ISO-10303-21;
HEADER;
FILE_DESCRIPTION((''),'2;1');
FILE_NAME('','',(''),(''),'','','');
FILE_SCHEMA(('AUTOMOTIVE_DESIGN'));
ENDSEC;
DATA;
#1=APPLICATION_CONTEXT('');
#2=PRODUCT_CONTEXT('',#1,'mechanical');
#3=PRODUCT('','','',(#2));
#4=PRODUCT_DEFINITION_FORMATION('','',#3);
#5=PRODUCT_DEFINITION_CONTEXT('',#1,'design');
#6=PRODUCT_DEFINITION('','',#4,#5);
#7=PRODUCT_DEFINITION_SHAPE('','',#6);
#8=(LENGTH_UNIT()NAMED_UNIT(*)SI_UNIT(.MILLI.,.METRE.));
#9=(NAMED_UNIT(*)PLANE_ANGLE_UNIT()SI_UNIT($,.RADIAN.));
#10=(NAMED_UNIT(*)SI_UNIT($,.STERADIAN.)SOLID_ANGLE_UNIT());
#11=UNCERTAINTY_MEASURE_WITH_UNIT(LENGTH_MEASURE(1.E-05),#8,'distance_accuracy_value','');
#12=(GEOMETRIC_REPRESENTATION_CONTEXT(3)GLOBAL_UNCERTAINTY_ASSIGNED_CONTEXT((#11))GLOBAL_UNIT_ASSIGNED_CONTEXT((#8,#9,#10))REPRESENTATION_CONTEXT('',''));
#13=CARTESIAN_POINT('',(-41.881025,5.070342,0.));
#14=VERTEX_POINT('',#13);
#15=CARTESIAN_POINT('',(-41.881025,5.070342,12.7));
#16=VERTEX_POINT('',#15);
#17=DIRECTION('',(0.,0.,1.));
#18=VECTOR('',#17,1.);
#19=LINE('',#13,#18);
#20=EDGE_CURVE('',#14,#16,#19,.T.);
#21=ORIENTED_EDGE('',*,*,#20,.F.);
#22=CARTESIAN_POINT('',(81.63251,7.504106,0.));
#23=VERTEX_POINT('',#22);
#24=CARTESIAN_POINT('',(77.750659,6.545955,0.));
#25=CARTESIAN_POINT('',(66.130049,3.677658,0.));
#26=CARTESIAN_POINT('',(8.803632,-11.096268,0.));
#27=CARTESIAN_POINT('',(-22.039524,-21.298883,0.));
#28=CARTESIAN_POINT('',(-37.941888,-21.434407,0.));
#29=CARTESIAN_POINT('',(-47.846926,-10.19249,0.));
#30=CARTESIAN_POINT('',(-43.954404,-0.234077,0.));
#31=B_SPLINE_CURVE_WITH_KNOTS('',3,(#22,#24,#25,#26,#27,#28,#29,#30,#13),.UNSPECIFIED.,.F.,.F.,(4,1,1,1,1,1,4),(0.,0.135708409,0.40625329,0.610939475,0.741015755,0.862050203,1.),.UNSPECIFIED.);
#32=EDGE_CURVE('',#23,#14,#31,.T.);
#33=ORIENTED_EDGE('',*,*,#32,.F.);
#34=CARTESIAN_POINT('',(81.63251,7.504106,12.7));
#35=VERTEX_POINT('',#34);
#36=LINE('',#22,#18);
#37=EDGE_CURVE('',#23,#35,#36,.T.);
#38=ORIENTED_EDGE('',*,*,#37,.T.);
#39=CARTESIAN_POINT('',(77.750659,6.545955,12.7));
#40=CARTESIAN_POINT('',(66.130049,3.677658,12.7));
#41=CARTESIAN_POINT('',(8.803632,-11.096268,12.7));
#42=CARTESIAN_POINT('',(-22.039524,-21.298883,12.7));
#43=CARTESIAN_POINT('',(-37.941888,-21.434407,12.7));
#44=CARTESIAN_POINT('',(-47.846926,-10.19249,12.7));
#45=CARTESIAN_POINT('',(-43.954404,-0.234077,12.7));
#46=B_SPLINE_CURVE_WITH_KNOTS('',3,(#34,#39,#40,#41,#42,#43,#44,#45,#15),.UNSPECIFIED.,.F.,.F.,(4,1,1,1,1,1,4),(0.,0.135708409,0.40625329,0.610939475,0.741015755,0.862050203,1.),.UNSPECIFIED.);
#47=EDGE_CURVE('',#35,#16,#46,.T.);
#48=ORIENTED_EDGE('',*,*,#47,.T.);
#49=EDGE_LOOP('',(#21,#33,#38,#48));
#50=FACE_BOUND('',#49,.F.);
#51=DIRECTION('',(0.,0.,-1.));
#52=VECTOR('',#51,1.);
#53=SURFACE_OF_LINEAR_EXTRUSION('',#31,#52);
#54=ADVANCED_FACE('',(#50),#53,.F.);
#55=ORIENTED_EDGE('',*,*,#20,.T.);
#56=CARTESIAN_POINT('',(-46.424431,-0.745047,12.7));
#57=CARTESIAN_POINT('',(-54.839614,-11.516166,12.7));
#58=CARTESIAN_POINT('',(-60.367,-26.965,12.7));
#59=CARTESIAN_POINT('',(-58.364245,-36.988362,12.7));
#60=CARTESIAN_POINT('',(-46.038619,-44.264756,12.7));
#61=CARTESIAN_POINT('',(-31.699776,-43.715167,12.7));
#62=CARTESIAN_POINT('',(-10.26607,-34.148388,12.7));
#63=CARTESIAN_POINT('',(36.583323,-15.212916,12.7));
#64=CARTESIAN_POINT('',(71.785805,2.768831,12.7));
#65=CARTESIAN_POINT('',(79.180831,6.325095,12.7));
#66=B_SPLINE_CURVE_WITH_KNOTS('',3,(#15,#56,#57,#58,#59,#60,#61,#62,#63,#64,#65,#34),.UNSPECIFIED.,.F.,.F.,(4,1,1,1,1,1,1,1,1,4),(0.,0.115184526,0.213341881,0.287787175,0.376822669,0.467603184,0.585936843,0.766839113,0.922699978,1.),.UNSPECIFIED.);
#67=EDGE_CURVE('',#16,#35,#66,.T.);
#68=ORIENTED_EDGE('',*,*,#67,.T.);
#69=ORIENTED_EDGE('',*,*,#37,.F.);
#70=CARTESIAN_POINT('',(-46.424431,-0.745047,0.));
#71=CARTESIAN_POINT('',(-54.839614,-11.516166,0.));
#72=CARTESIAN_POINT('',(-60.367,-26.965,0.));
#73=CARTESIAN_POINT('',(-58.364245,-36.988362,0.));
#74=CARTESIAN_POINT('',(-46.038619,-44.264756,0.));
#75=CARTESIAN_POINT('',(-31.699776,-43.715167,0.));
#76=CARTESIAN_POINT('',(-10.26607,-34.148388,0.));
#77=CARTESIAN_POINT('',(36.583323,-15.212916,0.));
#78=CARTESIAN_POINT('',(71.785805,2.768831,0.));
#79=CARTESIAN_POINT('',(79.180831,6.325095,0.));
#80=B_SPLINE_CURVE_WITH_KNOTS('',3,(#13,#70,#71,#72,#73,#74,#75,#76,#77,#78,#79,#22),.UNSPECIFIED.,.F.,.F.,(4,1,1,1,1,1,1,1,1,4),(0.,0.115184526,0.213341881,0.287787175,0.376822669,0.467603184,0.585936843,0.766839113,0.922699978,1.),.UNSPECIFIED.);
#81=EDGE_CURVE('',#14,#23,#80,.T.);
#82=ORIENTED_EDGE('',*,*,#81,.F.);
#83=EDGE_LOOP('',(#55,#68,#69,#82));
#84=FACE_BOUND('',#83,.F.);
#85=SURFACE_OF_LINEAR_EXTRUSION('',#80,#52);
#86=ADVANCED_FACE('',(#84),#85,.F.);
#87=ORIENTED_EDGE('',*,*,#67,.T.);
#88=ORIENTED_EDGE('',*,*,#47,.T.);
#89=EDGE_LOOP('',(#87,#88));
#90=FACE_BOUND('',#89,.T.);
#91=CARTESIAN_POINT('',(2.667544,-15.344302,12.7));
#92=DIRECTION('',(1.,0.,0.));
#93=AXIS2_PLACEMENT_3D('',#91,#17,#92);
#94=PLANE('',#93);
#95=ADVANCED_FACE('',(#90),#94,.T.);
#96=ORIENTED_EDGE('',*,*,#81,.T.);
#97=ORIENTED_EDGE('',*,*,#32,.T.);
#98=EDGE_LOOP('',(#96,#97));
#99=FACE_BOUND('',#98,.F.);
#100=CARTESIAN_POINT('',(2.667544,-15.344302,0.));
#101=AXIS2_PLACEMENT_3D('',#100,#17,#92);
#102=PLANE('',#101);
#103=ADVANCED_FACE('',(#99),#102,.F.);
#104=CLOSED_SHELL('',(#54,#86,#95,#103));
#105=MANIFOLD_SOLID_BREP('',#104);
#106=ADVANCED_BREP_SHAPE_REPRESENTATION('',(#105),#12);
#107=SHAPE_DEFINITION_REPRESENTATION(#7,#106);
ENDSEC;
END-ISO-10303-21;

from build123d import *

# Parameters (mm, degrees)
F1_DEPTH = 12.7


with BuildPart() as f1:
    # F0 (on Top) → F1 (new body)
    with BuildSketch(Plane.XY):
        with BuildLine():
            add(Edge.make_bspline(
                [(81.6325098276, 7.5041064993), (77.7506593427, 6.5459552624), (66.1300490993, 3.677657753), (8.8036319991, -11.0962675327), (-22.0395238831, -21.2988834281), (-37.9418884294, -21.4344074305), (-47.8469256739, -10.1924897863), (-43.9544040986, -0.2340770501), (-41.8810248375, 5.0703422166)],
                knots=[0, 0, 0, 0, 0.1357084094, 0.4062532904, 0.6109394746, 0.7410157551, 0.8620502027, 1, 1, 1, 1], degree=3))
            add(Edge.make_bspline(
                [(-41.8810248375, 5.0703422166), (-46.4244312383, -0.7450474512), (-54.8396142654, -11.5161658834), (-60.3669995915, -26.9650004922), (-58.3642446536, -36.9883620156), (-46.038619175, -44.2647563129), (-31.6997764266, -43.7151669788), (-10.2660699441, -34.1483875268), (36.5833232727, -15.2129164217), (71.7858051169, 2.7688314707), (79.1808308356, 6.3250953833), (81.6325098276, 7.5041064993)],
                knots=[0, 0, 0, 0, 0.1151845258, 0.2133418807, 0.2877871749, 0.376822669, 0.4676031838, 0.5859368431, 0.7668391128, 0.9226999783, 1, 1, 1, 1], degree=3))
        make_face()
    extrude(amount=F1_DEPTH)


solid = f1.part
